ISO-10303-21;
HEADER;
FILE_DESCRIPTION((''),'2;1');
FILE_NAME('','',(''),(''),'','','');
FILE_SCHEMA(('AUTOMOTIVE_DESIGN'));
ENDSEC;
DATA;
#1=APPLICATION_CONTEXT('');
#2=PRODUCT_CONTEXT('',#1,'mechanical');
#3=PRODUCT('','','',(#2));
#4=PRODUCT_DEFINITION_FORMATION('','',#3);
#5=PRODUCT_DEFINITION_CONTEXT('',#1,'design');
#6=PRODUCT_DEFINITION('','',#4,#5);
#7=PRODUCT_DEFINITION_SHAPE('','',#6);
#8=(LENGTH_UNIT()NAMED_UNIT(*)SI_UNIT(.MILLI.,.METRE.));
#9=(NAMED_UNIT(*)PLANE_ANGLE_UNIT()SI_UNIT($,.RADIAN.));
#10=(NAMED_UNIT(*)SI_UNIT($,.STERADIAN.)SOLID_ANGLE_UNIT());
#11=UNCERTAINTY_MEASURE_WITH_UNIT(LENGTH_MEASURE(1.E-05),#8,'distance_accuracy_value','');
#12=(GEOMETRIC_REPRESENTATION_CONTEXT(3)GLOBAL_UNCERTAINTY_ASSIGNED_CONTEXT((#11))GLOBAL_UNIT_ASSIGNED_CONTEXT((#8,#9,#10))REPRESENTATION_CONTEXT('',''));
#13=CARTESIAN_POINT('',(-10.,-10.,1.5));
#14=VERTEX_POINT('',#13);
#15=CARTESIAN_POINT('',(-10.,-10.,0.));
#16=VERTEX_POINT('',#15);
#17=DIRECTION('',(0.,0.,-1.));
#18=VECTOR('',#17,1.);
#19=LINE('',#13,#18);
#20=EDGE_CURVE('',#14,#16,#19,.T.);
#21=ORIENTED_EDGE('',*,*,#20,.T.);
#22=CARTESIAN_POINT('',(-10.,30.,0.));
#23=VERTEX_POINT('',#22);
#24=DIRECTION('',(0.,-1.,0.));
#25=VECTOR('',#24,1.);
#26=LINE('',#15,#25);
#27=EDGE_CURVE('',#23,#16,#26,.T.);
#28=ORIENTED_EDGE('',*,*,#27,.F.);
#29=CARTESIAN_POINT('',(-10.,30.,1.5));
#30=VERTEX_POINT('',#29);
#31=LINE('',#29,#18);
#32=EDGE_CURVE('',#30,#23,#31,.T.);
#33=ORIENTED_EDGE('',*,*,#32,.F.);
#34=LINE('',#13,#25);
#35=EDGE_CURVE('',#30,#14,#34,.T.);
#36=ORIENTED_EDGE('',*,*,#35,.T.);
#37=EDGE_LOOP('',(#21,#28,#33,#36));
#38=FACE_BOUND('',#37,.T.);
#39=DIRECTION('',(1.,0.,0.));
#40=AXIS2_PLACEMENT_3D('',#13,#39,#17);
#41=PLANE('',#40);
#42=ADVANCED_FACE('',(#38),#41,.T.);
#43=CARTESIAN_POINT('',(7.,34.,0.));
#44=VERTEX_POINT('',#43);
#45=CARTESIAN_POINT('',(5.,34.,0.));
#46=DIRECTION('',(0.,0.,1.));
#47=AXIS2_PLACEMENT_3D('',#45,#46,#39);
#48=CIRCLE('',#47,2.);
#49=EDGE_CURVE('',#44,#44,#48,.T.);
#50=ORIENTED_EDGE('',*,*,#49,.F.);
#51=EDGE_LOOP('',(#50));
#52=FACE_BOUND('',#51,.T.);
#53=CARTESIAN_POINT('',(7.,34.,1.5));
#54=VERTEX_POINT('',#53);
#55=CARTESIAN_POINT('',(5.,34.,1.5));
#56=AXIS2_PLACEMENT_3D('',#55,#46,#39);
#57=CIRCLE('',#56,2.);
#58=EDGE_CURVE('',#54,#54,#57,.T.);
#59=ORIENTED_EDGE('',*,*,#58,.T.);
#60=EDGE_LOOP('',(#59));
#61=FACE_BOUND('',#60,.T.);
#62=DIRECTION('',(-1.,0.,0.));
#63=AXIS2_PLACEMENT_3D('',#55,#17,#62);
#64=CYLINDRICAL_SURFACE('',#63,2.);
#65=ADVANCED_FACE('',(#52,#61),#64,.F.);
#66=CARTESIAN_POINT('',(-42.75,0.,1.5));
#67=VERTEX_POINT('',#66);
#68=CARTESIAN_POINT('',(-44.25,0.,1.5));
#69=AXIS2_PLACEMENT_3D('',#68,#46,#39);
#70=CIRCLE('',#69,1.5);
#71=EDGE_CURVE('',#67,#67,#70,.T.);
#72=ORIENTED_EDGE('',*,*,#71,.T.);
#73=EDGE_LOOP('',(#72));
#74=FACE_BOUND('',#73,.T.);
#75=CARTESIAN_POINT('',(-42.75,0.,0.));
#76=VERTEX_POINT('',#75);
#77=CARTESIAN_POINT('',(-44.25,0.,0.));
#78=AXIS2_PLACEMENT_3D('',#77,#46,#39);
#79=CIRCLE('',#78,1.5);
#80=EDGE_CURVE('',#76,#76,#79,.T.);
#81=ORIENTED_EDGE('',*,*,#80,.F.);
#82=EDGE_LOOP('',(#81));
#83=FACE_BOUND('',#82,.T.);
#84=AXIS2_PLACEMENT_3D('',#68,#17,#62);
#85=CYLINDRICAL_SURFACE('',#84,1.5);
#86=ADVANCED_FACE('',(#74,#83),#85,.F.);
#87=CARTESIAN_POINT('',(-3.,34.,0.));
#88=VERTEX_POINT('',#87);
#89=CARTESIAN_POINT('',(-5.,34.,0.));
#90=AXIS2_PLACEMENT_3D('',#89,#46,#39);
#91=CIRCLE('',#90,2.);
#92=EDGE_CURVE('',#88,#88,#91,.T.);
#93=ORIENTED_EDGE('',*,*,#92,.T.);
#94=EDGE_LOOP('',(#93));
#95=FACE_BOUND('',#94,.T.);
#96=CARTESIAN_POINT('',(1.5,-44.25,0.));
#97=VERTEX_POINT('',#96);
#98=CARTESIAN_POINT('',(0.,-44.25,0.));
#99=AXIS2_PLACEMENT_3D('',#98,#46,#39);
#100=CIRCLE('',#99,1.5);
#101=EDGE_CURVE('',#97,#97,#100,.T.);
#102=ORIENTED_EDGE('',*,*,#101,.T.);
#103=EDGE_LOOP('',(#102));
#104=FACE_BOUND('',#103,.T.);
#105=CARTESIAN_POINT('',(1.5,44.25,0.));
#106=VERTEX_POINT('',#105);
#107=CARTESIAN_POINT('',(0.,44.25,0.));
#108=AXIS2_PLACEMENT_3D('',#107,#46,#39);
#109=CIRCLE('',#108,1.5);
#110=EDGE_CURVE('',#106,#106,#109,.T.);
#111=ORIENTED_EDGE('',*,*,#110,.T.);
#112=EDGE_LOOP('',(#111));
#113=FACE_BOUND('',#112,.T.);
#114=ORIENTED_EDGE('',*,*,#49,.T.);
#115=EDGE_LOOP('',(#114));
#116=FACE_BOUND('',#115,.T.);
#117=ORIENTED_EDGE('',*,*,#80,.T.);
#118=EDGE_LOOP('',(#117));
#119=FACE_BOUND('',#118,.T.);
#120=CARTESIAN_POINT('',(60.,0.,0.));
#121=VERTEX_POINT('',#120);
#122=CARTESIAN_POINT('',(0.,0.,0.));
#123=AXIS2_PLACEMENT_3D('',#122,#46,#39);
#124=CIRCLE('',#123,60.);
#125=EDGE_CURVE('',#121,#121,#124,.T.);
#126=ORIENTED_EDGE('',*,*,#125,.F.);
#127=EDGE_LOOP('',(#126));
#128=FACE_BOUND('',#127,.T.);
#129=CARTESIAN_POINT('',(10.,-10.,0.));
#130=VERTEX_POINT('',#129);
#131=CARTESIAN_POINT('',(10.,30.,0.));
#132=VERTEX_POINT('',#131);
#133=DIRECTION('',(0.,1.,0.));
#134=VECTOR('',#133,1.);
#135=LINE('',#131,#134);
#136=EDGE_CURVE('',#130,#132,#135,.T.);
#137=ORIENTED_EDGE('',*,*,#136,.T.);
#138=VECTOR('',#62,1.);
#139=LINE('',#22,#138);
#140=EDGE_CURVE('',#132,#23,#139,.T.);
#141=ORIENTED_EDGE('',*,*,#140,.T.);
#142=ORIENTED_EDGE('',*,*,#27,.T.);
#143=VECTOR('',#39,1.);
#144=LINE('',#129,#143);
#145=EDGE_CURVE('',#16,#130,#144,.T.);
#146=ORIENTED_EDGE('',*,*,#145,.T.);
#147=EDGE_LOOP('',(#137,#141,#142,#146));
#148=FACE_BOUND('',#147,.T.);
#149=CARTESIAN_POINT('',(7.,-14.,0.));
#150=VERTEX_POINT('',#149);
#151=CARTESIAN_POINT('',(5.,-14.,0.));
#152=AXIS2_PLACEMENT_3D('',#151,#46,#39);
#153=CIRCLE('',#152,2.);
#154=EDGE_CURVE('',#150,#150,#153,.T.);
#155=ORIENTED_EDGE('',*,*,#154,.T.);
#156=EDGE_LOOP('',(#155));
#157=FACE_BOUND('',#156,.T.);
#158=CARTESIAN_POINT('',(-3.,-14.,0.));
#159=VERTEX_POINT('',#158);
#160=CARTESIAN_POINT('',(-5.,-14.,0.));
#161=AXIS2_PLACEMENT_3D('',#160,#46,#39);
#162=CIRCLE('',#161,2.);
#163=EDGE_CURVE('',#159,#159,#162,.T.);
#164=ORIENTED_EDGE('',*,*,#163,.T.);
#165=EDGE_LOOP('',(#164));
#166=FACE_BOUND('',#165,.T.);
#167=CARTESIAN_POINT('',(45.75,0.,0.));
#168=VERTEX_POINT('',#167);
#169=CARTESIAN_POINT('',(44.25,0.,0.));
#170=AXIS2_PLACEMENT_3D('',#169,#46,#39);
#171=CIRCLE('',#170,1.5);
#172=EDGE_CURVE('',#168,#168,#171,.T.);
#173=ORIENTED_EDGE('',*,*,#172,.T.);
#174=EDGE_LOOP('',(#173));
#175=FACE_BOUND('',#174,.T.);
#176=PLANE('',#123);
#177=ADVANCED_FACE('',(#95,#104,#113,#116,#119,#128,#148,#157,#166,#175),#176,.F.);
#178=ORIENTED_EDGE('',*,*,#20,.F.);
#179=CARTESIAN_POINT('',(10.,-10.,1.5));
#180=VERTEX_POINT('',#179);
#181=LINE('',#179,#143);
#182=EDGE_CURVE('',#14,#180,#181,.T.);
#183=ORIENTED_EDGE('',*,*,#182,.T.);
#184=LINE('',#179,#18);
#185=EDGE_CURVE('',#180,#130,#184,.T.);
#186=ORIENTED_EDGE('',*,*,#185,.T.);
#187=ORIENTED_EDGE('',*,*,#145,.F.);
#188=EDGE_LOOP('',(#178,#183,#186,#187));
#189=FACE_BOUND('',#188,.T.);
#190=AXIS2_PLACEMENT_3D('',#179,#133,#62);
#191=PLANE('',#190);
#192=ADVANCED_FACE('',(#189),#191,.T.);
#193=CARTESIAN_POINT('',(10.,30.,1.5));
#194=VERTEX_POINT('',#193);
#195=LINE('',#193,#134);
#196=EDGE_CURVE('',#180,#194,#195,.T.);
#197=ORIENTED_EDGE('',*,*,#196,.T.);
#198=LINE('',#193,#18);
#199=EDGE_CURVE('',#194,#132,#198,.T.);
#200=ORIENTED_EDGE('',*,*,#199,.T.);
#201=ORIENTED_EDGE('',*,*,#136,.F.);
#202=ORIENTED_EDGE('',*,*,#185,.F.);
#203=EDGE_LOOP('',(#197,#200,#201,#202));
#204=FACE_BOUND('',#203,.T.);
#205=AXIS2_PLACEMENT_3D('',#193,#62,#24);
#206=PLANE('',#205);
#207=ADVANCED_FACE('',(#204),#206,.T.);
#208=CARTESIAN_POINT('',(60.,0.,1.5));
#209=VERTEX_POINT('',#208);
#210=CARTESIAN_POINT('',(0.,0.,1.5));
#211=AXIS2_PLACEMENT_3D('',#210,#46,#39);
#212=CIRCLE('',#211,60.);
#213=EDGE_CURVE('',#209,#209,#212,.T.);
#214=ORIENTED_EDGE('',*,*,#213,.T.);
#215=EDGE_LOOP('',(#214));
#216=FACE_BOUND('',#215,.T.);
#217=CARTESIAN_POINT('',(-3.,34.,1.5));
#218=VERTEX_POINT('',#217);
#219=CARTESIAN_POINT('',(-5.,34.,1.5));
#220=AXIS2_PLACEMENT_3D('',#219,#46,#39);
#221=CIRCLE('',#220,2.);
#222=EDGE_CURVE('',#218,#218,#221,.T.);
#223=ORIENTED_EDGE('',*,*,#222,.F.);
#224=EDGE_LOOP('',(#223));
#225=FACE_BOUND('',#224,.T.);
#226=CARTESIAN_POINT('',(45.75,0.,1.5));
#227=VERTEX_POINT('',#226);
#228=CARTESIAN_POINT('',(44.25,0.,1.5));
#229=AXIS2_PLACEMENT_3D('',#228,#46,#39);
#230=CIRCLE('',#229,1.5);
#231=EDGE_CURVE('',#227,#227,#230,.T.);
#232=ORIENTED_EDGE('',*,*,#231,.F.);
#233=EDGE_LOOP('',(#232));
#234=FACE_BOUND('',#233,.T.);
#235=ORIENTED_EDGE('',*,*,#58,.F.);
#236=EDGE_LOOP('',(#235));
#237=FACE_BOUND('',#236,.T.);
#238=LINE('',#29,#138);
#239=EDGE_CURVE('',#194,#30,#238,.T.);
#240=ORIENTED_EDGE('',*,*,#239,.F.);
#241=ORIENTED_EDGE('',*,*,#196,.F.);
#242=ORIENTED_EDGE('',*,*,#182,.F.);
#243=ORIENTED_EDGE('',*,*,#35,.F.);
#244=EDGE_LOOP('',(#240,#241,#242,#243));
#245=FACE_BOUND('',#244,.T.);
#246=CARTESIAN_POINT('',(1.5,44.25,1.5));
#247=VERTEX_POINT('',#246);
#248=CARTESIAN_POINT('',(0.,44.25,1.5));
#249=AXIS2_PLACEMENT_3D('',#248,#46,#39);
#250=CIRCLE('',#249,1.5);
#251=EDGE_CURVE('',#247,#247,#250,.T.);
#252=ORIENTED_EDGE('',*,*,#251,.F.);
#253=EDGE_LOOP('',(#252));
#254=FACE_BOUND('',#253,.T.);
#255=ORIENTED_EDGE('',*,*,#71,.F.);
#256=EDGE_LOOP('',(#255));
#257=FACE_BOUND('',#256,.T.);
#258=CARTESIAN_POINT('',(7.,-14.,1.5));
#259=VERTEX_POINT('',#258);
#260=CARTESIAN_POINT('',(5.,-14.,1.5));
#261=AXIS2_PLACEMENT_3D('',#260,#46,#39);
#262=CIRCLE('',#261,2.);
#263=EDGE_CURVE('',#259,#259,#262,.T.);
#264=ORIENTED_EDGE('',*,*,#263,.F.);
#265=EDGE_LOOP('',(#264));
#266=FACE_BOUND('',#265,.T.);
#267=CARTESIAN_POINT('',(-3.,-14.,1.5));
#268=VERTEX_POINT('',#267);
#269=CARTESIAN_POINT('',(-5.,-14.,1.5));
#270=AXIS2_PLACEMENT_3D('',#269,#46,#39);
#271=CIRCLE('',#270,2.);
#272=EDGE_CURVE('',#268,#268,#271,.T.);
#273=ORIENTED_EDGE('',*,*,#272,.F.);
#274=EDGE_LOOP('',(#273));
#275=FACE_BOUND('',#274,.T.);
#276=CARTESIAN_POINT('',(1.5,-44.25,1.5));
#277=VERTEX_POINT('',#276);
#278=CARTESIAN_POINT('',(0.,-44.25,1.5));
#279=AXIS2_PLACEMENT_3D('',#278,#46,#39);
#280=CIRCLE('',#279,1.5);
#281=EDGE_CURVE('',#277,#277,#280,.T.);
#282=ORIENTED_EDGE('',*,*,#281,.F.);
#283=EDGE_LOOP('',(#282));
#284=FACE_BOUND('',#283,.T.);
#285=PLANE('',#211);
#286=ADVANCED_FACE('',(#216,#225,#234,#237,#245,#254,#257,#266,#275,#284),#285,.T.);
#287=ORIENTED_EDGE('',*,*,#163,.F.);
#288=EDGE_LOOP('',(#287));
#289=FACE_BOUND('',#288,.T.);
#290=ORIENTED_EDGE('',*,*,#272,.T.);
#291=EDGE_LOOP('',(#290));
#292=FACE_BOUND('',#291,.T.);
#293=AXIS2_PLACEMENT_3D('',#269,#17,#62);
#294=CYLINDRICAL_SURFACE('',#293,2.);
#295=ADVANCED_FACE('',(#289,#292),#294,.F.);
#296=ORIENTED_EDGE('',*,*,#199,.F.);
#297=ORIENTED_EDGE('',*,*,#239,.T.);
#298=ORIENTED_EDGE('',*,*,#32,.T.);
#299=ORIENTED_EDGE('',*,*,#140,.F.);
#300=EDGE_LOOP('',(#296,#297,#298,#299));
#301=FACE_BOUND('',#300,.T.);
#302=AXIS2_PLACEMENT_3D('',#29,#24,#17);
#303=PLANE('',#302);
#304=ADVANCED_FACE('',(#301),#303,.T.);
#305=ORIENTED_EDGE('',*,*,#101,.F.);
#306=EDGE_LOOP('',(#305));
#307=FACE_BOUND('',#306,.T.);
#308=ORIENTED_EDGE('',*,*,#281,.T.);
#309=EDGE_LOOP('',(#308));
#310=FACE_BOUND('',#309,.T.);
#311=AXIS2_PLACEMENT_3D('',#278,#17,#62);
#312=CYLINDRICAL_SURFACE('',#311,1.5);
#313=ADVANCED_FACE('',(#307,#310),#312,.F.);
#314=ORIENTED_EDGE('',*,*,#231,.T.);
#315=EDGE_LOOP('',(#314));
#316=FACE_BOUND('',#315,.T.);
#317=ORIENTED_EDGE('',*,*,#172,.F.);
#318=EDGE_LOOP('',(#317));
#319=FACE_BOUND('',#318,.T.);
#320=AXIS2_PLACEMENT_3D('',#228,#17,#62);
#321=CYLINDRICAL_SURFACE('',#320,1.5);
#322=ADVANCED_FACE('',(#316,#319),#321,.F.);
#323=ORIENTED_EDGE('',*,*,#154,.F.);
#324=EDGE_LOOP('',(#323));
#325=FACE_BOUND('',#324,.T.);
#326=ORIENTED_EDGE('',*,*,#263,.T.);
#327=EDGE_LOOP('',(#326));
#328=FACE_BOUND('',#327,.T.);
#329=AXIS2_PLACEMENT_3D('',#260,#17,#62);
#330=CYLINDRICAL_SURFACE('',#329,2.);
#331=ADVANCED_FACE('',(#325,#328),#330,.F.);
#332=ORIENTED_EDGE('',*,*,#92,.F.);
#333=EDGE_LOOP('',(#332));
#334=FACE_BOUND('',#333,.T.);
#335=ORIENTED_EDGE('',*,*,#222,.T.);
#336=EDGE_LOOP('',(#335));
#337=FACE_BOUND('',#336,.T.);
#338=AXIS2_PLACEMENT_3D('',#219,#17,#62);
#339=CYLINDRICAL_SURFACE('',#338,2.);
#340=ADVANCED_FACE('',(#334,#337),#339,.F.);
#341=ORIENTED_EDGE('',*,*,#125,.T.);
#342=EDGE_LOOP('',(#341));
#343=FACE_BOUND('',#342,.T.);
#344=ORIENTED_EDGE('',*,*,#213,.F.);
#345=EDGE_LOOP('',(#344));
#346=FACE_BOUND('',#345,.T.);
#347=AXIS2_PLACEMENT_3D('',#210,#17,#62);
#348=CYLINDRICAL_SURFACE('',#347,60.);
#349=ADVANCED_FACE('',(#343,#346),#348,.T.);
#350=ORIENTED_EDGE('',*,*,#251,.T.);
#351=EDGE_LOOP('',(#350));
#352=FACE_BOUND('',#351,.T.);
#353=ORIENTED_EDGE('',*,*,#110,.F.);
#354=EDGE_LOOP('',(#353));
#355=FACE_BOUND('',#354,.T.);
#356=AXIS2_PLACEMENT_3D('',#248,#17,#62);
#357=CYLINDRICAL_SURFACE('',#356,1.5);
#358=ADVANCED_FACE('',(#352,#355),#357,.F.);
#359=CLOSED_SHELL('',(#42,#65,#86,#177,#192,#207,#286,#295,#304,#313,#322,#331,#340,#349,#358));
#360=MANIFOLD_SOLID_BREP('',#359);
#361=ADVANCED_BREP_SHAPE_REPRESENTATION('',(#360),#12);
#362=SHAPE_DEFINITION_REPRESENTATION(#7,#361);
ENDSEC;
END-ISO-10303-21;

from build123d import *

# Parameters (mm, degrees)
SKETCH_1_R      = 60
SKETCH_1_R_2    = 2
SKETCH_1_R_3    = 1.5
SKETCH_1_W      = 20
SKETCH_1_H      = 40
EXTRUDE_1_DEPTH = 1.5


with BuildPart() as part:
    # 草图1 → 凸台-拉伸1 (new body)
    with BuildSketch(Plane.XY):
        Circle(SKETCH_1_R)
        with Locations((5, 34)):
            Circle(SKETCH_1_R_2, mode=Mode.SUBTRACT)
        with Locations((-5, 34)):
            Circle(SKETCH_1_R_2, mode=Mode.SUBTRACT)
        with Locations((5, -14)):
            Circle(SKETCH_1_R_2, mode=Mode.SUBTRACT)
        with Locations((-5, -14)):
            Circle(SKETCH_1_R_2, mode=Mode.SUBTRACT)
        with Locations((0, 44.25)):
            Circle(SKETCH_1_R_3, mode=Mode.SUBTRACT)
        with Locations((44.25, 0)):
            Circle(SKETCH_1_R_3, mode=Mode.SUBTRACT)
        with Locations((0, -44.25)):
            Circle(SKETCH_1_R_3, mode=Mode.SUBTRACT)
        with Locations((-44.25, 0)):
            Circle(SKETCH_1_R_3, mode=Mode.SUBTRACT)
        with Locations((0, 10)):
            Rectangle(SKETCH_1_W, SKETCH_1_H, mode=Mode.SUBTRACT)
    extrude(amount=EXTRUDE_1_DEPTH)


solid = part.part
